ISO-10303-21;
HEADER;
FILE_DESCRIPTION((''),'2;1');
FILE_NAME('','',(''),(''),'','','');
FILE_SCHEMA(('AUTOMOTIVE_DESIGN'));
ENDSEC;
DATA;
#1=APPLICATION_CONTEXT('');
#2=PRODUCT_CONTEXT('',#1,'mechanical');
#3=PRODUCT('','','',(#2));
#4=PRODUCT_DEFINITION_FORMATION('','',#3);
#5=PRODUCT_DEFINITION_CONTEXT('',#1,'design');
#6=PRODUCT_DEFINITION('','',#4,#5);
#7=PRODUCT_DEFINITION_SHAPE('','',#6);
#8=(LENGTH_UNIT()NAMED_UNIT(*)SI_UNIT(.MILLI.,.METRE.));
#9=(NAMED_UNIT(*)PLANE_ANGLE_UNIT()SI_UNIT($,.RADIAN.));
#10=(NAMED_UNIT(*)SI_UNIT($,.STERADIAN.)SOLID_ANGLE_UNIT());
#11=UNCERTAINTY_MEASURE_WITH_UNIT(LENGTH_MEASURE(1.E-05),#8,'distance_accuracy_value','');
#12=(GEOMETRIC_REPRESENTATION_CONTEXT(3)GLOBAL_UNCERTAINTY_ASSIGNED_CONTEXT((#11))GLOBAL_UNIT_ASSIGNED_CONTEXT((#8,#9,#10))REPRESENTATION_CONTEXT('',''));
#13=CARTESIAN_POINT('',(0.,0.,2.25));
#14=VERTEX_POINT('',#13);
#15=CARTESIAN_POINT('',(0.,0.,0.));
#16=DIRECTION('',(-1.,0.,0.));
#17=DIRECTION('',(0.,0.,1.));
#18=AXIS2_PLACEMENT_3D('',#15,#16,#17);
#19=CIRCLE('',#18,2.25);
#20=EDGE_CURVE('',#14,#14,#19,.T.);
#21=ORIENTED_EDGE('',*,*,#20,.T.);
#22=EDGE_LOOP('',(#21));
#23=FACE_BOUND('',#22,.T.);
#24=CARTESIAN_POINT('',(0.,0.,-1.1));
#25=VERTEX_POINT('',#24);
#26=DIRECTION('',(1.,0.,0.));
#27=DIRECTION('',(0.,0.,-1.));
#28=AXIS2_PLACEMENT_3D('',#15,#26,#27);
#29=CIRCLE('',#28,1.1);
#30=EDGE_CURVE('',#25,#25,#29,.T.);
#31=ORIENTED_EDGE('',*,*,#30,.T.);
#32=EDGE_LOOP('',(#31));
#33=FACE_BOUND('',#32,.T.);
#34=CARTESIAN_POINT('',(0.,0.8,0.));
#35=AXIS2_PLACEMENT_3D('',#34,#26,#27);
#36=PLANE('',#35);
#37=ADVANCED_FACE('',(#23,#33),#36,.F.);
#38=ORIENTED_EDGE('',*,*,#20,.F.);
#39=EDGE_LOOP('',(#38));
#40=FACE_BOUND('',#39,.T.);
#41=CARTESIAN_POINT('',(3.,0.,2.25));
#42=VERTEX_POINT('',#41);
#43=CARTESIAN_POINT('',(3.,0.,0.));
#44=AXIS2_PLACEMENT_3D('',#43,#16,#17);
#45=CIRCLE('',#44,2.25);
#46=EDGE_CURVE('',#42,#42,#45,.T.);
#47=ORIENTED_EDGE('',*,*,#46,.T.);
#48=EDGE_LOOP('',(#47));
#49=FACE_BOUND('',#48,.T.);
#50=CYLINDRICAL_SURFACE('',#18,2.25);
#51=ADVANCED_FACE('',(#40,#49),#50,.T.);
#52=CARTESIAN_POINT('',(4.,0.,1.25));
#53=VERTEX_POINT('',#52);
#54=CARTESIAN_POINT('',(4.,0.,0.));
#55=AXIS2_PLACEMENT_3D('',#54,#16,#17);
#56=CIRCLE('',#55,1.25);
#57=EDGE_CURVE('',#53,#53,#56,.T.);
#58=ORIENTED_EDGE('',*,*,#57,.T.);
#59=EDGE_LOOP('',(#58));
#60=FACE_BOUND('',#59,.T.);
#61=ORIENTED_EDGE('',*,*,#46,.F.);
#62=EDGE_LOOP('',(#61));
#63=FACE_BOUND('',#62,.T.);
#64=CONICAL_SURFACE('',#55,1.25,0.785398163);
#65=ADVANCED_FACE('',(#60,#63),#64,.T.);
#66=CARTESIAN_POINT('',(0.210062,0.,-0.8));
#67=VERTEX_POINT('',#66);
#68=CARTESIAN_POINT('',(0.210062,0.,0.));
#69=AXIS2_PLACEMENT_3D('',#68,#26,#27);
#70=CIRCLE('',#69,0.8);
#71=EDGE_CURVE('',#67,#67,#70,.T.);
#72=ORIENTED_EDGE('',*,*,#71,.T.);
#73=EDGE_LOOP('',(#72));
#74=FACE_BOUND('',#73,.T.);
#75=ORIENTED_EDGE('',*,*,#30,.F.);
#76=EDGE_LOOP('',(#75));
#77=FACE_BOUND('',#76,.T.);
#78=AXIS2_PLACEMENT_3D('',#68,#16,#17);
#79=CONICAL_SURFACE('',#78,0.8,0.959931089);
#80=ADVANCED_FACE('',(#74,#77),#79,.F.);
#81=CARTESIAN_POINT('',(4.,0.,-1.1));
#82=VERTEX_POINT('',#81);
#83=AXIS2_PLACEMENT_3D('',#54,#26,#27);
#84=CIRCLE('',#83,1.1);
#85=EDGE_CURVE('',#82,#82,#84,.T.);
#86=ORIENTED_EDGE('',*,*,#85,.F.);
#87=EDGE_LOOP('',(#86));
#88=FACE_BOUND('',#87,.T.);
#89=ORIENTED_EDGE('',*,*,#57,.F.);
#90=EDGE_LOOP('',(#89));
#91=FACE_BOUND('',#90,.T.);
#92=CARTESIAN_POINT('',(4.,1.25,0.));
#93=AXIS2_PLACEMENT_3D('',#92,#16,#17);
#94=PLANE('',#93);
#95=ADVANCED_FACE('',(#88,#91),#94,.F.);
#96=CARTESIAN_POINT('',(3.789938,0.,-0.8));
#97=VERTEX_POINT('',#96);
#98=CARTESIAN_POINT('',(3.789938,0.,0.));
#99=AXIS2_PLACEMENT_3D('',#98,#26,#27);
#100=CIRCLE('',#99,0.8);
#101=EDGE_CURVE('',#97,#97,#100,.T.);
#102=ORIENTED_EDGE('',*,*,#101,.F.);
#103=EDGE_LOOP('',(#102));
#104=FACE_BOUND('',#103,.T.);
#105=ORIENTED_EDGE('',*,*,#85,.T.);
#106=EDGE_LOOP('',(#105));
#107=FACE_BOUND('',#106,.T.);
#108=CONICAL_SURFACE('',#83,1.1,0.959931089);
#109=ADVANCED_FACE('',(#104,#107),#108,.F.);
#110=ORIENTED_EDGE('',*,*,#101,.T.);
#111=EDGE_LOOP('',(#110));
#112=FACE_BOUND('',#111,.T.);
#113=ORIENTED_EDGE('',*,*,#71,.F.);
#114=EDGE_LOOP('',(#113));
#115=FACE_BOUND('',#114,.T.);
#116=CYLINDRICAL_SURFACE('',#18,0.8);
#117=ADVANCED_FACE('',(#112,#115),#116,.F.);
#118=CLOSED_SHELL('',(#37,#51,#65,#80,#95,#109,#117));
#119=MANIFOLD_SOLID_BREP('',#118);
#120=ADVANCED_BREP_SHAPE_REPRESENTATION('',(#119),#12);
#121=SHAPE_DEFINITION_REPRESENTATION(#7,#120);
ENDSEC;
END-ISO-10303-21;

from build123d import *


with BuildPart() as part:
    # Эскиз1 → Повернуть1 (revolve)
    with BuildSketch(Plane.XY):
        Polygon((0, 0.8), (0, 2.25), (3, 2.25), (4, 1.25), (4, 0.8), align=None)
    revolve(axis=Axis((0, 0, 0), (1, 0, 0)))

    # Эскиз2 → Отверстие обработанное метчиком M2x0.41 (revolve, cut)
    with BuildSketch(Plane(origin=(4, 0, 0), x_dir=(0, 0, -1), z_dir=(0, 1, 0))):
        Polygon((0, 0), (0, 4), (1.1, 4), (0.8, 3.789937739), (0.8, 0.210062261), (1.1, 0), align=None)
    revolve(axis=Axis((10.35, 0, 0), (-1, 0, 0)), mode=Mode.SUBTRACT)


solid = part.part
